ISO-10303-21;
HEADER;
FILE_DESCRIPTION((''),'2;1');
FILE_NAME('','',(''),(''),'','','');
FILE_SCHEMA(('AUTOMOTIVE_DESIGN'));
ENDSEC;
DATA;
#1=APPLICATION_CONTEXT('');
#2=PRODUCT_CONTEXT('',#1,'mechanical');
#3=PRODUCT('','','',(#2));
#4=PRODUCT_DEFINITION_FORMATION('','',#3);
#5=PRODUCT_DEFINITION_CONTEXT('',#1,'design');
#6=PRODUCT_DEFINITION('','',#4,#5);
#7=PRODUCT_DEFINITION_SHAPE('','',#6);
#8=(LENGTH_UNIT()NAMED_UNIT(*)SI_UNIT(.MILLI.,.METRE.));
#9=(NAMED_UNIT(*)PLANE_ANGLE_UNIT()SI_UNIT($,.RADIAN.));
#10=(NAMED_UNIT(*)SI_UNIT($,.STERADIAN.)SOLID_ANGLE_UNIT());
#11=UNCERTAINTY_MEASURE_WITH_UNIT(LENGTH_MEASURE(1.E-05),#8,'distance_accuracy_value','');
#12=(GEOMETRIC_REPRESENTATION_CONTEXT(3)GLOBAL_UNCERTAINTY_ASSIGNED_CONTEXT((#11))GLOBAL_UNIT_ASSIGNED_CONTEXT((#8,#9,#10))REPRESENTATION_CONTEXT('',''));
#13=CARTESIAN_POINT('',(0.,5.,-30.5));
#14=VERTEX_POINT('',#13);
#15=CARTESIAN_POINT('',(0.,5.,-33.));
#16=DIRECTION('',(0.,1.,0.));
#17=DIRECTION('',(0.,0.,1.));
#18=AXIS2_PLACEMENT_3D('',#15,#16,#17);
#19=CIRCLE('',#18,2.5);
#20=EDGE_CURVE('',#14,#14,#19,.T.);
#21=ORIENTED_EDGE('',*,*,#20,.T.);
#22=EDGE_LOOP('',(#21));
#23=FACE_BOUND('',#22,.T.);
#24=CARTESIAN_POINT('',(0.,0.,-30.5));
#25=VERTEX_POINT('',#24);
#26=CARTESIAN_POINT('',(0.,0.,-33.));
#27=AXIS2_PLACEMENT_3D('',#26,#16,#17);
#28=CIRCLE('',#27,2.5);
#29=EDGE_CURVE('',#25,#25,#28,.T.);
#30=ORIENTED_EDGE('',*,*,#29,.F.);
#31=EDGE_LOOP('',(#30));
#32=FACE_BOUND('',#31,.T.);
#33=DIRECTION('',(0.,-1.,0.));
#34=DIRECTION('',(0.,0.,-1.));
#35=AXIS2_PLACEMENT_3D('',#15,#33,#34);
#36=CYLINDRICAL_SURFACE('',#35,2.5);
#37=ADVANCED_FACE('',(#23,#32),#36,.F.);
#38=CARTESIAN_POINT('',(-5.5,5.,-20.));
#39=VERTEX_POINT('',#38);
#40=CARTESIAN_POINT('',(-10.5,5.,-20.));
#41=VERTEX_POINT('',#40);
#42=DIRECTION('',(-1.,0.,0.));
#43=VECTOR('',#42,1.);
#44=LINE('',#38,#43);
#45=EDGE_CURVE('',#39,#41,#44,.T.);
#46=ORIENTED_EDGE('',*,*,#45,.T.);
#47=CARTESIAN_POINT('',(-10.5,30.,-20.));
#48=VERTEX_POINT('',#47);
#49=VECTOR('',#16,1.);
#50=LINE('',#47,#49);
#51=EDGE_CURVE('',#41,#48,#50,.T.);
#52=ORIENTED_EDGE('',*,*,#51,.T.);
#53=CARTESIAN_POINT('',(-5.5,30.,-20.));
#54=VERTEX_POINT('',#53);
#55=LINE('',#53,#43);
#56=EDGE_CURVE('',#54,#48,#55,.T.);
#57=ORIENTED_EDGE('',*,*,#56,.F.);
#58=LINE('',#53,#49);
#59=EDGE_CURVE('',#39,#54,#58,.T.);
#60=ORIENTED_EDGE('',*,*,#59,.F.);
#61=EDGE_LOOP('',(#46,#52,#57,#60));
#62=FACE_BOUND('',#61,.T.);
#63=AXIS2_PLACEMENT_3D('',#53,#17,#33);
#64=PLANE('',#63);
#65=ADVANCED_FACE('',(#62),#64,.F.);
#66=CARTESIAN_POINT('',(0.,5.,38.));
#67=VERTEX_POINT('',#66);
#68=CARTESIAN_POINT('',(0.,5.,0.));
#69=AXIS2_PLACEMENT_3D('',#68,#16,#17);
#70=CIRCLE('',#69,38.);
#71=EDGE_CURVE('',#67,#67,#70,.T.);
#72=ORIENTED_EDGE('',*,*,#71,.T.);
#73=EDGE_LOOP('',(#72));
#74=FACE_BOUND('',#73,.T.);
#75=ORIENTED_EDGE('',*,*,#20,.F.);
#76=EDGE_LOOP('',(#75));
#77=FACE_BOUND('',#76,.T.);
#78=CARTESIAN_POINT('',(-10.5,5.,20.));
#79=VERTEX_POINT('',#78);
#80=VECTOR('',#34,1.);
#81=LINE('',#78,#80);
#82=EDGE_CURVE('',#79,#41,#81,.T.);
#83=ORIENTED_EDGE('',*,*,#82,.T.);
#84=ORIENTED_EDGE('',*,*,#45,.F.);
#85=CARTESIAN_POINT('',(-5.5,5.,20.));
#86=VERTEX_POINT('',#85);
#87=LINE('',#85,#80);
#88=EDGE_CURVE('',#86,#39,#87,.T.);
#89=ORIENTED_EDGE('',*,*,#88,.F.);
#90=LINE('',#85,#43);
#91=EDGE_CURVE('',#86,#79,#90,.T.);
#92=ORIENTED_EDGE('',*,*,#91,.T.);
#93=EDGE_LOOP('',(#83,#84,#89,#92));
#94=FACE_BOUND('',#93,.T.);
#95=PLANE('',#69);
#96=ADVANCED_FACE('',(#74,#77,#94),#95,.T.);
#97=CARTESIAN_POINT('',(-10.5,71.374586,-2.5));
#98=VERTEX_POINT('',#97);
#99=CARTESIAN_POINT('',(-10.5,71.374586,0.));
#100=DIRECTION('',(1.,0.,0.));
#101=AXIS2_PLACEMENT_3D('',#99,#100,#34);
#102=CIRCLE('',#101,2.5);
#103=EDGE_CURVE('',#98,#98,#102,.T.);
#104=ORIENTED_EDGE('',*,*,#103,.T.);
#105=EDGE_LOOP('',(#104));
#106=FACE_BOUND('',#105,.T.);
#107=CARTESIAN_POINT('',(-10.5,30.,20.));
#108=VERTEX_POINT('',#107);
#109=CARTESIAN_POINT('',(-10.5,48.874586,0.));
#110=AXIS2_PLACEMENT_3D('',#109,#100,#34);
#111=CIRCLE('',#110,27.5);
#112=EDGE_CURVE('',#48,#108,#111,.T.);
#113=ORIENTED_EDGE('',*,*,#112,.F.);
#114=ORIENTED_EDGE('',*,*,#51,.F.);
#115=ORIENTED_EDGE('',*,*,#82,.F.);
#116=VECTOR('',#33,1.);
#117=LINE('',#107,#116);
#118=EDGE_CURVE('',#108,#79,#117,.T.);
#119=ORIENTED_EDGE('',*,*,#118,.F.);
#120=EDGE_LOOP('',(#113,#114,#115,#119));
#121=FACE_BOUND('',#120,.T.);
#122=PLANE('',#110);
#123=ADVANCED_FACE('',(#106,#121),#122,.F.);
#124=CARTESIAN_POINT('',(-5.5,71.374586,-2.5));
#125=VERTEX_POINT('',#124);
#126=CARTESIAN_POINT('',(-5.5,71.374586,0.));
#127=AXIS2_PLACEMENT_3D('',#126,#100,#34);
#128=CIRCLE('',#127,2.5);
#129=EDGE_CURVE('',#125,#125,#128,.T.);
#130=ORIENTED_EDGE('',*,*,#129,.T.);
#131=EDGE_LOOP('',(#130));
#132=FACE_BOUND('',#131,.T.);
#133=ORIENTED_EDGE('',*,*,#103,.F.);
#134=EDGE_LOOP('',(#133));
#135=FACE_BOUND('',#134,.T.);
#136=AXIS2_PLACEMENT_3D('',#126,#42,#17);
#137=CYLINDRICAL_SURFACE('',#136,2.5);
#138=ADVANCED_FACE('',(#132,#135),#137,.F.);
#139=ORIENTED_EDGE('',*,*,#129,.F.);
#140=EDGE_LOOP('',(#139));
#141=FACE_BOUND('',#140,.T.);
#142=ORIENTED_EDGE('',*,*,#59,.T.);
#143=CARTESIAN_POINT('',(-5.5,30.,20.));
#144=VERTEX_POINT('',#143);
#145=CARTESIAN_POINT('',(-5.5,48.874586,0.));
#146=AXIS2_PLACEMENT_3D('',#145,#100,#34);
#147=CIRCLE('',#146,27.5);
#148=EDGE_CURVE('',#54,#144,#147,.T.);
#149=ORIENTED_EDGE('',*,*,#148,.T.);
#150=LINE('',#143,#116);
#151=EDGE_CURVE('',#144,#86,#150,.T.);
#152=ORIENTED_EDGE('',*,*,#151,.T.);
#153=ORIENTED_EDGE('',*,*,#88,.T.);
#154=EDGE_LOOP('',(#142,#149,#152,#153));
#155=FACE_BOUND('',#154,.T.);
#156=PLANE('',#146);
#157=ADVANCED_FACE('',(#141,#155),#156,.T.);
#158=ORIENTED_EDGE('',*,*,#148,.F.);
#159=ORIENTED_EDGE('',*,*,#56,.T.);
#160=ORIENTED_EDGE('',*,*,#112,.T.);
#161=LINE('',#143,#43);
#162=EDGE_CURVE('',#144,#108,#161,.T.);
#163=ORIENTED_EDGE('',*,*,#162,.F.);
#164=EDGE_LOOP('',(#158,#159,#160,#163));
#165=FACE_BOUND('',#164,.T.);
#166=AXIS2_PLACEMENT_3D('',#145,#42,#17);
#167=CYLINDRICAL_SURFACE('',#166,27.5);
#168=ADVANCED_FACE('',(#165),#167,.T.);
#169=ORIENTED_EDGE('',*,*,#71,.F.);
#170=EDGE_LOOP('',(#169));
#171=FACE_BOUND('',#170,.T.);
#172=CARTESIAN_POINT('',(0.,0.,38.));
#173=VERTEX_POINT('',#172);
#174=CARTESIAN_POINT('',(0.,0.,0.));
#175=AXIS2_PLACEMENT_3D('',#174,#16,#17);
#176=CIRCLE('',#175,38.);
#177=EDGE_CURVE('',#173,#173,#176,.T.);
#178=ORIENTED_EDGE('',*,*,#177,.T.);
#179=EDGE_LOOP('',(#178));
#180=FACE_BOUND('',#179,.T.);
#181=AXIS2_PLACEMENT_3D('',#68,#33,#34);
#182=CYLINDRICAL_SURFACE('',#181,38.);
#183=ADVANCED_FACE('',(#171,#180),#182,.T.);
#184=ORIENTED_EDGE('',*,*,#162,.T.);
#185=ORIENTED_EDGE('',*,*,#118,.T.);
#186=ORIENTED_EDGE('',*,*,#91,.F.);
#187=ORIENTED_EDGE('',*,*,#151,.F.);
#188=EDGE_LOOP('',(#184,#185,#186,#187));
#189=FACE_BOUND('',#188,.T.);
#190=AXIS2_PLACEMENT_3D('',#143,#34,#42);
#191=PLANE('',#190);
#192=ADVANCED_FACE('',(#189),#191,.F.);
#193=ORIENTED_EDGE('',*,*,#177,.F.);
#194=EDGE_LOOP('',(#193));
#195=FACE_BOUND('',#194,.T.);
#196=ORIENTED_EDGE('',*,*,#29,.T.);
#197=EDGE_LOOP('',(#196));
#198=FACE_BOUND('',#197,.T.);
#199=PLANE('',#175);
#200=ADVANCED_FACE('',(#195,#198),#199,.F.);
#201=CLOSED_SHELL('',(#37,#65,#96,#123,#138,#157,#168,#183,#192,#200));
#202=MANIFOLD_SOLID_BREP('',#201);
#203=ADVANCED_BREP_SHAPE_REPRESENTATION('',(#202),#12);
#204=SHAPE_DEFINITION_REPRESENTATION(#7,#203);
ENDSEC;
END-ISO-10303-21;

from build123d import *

# Parameters (mm, degrees)
SKETCH_1_R      = 38
SKETCH_1_R_2    = 2.5
EXTRUDE_1_DEPTH = 5
SKETCH_5_R      = 2.5
EXTRUDE_3_DEPTH = 5


with BuildPart() as part:
    # 草图1 → 凸台-拉伸1 (new body)
    with BuildSketch(Plane(origin=(0, 0, 0), x_dir=(1, 0, 0), z_dir=(0, 1, 0))):
        with Locations(Location((0, 0, 0), (0, 0, 270))):
            Circle(SKETCH_1_R)
        with Locations(Location((0, 33, 0), (0, 0, 270))):
            Circle(SKETCH_1_R_2, mode=Mode.SUBTRACT)
    extrude(amount=EXTRUDE_1_DEPTH)

    # 草图5 → 凸台-拉伸3 (add)
    with BuildSketch(Plane(origin=(-10.5, 0, 0), x_dir=(0, 0, -1), z_dir=(1, 0, 0))):
        with BuildLine():
            Line((-20, 30), (-20, 5))
            Line((-20, 5), (20, 5))
            Line((20, 5), (20, 30))
            ThreePointArc((20, 30), (0, 76.374586088), (-20, 30))
        make_face()
        with Locations((0, 71.374586088)):
            Circle(SKETCH_5_R, mode=Mode.SUBTRACT)
    extrude(amount=EXTRUDE_3_DEPTH)


solid = part.part
